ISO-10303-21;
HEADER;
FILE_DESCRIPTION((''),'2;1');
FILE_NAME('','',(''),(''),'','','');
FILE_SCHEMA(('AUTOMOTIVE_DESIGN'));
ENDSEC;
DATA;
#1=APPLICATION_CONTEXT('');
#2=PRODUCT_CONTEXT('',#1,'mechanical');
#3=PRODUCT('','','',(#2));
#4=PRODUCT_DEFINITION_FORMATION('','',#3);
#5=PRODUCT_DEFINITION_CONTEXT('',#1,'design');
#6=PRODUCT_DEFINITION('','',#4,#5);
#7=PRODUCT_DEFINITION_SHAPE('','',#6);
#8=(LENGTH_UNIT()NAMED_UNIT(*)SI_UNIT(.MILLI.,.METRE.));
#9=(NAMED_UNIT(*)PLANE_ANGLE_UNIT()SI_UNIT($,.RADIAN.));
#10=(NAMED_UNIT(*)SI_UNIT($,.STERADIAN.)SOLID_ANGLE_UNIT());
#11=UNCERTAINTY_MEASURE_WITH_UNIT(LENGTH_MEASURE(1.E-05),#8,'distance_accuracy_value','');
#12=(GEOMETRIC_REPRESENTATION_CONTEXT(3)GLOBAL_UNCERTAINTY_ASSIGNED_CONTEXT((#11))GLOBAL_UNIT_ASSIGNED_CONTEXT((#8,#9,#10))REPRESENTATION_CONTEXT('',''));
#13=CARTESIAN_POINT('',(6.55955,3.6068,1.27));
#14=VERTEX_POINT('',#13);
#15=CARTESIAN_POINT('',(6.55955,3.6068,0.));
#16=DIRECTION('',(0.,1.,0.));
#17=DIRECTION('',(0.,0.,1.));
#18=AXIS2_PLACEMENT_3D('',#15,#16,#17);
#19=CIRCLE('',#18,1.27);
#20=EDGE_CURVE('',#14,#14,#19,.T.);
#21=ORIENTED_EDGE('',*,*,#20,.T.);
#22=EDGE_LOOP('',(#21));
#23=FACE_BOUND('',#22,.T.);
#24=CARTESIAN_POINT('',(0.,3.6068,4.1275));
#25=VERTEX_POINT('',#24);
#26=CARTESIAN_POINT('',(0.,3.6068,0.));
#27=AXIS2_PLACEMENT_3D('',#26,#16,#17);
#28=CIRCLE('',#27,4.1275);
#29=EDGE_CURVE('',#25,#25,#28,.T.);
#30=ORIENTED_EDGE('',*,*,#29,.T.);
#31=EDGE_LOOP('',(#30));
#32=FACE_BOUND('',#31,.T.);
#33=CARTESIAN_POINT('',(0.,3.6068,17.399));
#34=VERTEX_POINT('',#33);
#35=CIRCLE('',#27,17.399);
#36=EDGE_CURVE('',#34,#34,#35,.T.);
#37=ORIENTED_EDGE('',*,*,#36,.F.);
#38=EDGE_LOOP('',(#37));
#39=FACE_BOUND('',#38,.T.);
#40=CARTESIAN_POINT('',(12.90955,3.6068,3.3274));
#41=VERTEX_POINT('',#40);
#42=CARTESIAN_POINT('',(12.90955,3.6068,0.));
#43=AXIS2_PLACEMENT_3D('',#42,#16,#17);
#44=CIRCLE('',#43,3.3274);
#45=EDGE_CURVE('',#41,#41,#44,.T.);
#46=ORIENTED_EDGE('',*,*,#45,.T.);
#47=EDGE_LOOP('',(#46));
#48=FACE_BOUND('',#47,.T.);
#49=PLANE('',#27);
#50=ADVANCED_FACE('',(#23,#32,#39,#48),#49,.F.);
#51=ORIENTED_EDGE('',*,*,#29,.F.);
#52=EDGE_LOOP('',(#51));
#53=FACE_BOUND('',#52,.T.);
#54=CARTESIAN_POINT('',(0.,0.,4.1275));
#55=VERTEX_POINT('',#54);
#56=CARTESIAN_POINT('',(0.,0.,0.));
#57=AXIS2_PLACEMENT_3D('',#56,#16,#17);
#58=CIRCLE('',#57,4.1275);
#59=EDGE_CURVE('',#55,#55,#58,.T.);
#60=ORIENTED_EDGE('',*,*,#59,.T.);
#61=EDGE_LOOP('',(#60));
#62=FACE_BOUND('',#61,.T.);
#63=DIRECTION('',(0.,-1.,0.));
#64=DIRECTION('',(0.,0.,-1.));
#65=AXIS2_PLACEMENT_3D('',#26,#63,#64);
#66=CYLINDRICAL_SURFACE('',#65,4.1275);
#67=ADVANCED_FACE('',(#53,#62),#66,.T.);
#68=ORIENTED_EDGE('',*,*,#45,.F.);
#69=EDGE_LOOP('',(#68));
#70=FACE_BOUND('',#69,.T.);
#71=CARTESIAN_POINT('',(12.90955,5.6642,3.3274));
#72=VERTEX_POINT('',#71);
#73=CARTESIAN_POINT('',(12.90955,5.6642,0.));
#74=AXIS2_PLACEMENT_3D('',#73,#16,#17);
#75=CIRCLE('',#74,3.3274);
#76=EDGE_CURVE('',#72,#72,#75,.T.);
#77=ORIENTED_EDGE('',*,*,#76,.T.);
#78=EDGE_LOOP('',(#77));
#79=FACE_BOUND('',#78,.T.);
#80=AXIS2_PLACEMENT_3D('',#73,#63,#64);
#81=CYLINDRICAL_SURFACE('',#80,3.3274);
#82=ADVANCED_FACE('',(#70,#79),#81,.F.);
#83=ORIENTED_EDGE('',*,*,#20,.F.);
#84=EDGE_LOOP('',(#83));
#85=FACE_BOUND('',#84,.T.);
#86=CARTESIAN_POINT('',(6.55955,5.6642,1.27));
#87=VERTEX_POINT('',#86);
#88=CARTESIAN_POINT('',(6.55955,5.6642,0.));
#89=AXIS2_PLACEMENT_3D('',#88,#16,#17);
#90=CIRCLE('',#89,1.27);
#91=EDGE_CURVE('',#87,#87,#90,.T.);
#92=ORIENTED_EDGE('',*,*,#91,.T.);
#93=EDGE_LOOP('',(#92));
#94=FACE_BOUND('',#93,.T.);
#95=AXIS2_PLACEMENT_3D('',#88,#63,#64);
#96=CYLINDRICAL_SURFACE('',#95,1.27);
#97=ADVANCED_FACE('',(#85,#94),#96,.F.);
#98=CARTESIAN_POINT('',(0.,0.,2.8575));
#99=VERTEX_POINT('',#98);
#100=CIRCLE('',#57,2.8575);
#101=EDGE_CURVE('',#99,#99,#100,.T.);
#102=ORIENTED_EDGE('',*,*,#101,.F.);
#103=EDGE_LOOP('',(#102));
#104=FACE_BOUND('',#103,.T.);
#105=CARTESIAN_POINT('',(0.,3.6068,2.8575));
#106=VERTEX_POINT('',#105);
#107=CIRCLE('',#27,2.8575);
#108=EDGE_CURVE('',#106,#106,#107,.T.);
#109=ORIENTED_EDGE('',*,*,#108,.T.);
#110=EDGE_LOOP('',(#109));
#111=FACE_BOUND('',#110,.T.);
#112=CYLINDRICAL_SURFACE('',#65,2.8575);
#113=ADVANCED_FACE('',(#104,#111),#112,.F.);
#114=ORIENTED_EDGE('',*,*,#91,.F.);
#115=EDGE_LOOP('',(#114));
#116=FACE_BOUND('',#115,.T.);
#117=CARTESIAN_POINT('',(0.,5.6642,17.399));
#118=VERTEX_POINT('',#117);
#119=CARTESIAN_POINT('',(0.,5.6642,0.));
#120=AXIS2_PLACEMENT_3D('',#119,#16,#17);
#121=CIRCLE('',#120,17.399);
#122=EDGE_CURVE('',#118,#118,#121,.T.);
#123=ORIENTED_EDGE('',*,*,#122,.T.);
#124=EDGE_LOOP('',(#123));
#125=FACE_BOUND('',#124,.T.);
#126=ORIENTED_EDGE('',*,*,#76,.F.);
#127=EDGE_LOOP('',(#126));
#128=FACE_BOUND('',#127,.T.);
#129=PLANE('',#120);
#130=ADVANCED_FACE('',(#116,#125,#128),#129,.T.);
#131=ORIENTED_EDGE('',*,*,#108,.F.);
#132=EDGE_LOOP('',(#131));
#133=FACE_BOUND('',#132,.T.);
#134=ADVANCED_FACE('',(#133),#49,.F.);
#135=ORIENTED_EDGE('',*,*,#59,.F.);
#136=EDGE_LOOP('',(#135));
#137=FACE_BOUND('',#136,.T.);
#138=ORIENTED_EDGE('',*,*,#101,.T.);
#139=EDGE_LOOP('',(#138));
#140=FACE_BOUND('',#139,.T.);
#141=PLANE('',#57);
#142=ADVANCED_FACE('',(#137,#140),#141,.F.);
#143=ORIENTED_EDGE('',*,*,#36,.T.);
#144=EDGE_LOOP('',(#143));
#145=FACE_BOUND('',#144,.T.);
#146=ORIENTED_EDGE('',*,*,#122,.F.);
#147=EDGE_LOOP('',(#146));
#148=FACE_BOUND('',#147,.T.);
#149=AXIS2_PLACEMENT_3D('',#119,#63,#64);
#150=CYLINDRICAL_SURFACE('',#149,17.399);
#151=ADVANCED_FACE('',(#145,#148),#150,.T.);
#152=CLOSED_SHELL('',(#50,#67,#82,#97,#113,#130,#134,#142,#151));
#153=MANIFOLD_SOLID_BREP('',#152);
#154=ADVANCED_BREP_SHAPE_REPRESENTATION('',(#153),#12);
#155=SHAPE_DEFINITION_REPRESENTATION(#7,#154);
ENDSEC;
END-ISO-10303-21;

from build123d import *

# Parameters (mm, degrees)
SKETCH1_R           = 4.1275
SKETCH1_R_2         = 2.8575
BOSS_EXTRUDE1_DEPTH = 3.6068
SKETCH3_R           = 17.399
SKETCH3_R_2         = 3.3274
SKETCH3_R_3         = 1.27
BOSS_EXTRUDE2_DEPTH = 2.0574


with BuildPart() as part:
    # Sketch1 → Boss-Extrude1 (new body)
    with BuildSketch(Plane(origin=(0, 0, 0), x_dir=(1, 0, 0), z_dir=(0, 1, 0))):
        Circle(SKETCH1_R)
        Circle(SKETCH1_R_2, mode=Mode.SUBTRACT)
    extrude(amount=BOSS_EXTRUDE1_DEPTH)

    # Sketch3 → Boss-Extrude2 (add)
    with BuildSketch(Plane(origin=(0, 3.6068, 0), x_dir=(1, 0, 0), z_dir=(0, 1, 0))):
        Circle(SKETCH3_R)
        with Locations((12.90955, 0)):
            Circle(SKETCH3_R_2, mode=Mode.SUBTRACT)
        with Locations((6.55955, 0)):
            Circle(SKETCH3_R_3, mode=Mode.SUBTRACT)
    extrude(amount=BOSS_EXTRUDE2_DEPTH)


solid = part.part
